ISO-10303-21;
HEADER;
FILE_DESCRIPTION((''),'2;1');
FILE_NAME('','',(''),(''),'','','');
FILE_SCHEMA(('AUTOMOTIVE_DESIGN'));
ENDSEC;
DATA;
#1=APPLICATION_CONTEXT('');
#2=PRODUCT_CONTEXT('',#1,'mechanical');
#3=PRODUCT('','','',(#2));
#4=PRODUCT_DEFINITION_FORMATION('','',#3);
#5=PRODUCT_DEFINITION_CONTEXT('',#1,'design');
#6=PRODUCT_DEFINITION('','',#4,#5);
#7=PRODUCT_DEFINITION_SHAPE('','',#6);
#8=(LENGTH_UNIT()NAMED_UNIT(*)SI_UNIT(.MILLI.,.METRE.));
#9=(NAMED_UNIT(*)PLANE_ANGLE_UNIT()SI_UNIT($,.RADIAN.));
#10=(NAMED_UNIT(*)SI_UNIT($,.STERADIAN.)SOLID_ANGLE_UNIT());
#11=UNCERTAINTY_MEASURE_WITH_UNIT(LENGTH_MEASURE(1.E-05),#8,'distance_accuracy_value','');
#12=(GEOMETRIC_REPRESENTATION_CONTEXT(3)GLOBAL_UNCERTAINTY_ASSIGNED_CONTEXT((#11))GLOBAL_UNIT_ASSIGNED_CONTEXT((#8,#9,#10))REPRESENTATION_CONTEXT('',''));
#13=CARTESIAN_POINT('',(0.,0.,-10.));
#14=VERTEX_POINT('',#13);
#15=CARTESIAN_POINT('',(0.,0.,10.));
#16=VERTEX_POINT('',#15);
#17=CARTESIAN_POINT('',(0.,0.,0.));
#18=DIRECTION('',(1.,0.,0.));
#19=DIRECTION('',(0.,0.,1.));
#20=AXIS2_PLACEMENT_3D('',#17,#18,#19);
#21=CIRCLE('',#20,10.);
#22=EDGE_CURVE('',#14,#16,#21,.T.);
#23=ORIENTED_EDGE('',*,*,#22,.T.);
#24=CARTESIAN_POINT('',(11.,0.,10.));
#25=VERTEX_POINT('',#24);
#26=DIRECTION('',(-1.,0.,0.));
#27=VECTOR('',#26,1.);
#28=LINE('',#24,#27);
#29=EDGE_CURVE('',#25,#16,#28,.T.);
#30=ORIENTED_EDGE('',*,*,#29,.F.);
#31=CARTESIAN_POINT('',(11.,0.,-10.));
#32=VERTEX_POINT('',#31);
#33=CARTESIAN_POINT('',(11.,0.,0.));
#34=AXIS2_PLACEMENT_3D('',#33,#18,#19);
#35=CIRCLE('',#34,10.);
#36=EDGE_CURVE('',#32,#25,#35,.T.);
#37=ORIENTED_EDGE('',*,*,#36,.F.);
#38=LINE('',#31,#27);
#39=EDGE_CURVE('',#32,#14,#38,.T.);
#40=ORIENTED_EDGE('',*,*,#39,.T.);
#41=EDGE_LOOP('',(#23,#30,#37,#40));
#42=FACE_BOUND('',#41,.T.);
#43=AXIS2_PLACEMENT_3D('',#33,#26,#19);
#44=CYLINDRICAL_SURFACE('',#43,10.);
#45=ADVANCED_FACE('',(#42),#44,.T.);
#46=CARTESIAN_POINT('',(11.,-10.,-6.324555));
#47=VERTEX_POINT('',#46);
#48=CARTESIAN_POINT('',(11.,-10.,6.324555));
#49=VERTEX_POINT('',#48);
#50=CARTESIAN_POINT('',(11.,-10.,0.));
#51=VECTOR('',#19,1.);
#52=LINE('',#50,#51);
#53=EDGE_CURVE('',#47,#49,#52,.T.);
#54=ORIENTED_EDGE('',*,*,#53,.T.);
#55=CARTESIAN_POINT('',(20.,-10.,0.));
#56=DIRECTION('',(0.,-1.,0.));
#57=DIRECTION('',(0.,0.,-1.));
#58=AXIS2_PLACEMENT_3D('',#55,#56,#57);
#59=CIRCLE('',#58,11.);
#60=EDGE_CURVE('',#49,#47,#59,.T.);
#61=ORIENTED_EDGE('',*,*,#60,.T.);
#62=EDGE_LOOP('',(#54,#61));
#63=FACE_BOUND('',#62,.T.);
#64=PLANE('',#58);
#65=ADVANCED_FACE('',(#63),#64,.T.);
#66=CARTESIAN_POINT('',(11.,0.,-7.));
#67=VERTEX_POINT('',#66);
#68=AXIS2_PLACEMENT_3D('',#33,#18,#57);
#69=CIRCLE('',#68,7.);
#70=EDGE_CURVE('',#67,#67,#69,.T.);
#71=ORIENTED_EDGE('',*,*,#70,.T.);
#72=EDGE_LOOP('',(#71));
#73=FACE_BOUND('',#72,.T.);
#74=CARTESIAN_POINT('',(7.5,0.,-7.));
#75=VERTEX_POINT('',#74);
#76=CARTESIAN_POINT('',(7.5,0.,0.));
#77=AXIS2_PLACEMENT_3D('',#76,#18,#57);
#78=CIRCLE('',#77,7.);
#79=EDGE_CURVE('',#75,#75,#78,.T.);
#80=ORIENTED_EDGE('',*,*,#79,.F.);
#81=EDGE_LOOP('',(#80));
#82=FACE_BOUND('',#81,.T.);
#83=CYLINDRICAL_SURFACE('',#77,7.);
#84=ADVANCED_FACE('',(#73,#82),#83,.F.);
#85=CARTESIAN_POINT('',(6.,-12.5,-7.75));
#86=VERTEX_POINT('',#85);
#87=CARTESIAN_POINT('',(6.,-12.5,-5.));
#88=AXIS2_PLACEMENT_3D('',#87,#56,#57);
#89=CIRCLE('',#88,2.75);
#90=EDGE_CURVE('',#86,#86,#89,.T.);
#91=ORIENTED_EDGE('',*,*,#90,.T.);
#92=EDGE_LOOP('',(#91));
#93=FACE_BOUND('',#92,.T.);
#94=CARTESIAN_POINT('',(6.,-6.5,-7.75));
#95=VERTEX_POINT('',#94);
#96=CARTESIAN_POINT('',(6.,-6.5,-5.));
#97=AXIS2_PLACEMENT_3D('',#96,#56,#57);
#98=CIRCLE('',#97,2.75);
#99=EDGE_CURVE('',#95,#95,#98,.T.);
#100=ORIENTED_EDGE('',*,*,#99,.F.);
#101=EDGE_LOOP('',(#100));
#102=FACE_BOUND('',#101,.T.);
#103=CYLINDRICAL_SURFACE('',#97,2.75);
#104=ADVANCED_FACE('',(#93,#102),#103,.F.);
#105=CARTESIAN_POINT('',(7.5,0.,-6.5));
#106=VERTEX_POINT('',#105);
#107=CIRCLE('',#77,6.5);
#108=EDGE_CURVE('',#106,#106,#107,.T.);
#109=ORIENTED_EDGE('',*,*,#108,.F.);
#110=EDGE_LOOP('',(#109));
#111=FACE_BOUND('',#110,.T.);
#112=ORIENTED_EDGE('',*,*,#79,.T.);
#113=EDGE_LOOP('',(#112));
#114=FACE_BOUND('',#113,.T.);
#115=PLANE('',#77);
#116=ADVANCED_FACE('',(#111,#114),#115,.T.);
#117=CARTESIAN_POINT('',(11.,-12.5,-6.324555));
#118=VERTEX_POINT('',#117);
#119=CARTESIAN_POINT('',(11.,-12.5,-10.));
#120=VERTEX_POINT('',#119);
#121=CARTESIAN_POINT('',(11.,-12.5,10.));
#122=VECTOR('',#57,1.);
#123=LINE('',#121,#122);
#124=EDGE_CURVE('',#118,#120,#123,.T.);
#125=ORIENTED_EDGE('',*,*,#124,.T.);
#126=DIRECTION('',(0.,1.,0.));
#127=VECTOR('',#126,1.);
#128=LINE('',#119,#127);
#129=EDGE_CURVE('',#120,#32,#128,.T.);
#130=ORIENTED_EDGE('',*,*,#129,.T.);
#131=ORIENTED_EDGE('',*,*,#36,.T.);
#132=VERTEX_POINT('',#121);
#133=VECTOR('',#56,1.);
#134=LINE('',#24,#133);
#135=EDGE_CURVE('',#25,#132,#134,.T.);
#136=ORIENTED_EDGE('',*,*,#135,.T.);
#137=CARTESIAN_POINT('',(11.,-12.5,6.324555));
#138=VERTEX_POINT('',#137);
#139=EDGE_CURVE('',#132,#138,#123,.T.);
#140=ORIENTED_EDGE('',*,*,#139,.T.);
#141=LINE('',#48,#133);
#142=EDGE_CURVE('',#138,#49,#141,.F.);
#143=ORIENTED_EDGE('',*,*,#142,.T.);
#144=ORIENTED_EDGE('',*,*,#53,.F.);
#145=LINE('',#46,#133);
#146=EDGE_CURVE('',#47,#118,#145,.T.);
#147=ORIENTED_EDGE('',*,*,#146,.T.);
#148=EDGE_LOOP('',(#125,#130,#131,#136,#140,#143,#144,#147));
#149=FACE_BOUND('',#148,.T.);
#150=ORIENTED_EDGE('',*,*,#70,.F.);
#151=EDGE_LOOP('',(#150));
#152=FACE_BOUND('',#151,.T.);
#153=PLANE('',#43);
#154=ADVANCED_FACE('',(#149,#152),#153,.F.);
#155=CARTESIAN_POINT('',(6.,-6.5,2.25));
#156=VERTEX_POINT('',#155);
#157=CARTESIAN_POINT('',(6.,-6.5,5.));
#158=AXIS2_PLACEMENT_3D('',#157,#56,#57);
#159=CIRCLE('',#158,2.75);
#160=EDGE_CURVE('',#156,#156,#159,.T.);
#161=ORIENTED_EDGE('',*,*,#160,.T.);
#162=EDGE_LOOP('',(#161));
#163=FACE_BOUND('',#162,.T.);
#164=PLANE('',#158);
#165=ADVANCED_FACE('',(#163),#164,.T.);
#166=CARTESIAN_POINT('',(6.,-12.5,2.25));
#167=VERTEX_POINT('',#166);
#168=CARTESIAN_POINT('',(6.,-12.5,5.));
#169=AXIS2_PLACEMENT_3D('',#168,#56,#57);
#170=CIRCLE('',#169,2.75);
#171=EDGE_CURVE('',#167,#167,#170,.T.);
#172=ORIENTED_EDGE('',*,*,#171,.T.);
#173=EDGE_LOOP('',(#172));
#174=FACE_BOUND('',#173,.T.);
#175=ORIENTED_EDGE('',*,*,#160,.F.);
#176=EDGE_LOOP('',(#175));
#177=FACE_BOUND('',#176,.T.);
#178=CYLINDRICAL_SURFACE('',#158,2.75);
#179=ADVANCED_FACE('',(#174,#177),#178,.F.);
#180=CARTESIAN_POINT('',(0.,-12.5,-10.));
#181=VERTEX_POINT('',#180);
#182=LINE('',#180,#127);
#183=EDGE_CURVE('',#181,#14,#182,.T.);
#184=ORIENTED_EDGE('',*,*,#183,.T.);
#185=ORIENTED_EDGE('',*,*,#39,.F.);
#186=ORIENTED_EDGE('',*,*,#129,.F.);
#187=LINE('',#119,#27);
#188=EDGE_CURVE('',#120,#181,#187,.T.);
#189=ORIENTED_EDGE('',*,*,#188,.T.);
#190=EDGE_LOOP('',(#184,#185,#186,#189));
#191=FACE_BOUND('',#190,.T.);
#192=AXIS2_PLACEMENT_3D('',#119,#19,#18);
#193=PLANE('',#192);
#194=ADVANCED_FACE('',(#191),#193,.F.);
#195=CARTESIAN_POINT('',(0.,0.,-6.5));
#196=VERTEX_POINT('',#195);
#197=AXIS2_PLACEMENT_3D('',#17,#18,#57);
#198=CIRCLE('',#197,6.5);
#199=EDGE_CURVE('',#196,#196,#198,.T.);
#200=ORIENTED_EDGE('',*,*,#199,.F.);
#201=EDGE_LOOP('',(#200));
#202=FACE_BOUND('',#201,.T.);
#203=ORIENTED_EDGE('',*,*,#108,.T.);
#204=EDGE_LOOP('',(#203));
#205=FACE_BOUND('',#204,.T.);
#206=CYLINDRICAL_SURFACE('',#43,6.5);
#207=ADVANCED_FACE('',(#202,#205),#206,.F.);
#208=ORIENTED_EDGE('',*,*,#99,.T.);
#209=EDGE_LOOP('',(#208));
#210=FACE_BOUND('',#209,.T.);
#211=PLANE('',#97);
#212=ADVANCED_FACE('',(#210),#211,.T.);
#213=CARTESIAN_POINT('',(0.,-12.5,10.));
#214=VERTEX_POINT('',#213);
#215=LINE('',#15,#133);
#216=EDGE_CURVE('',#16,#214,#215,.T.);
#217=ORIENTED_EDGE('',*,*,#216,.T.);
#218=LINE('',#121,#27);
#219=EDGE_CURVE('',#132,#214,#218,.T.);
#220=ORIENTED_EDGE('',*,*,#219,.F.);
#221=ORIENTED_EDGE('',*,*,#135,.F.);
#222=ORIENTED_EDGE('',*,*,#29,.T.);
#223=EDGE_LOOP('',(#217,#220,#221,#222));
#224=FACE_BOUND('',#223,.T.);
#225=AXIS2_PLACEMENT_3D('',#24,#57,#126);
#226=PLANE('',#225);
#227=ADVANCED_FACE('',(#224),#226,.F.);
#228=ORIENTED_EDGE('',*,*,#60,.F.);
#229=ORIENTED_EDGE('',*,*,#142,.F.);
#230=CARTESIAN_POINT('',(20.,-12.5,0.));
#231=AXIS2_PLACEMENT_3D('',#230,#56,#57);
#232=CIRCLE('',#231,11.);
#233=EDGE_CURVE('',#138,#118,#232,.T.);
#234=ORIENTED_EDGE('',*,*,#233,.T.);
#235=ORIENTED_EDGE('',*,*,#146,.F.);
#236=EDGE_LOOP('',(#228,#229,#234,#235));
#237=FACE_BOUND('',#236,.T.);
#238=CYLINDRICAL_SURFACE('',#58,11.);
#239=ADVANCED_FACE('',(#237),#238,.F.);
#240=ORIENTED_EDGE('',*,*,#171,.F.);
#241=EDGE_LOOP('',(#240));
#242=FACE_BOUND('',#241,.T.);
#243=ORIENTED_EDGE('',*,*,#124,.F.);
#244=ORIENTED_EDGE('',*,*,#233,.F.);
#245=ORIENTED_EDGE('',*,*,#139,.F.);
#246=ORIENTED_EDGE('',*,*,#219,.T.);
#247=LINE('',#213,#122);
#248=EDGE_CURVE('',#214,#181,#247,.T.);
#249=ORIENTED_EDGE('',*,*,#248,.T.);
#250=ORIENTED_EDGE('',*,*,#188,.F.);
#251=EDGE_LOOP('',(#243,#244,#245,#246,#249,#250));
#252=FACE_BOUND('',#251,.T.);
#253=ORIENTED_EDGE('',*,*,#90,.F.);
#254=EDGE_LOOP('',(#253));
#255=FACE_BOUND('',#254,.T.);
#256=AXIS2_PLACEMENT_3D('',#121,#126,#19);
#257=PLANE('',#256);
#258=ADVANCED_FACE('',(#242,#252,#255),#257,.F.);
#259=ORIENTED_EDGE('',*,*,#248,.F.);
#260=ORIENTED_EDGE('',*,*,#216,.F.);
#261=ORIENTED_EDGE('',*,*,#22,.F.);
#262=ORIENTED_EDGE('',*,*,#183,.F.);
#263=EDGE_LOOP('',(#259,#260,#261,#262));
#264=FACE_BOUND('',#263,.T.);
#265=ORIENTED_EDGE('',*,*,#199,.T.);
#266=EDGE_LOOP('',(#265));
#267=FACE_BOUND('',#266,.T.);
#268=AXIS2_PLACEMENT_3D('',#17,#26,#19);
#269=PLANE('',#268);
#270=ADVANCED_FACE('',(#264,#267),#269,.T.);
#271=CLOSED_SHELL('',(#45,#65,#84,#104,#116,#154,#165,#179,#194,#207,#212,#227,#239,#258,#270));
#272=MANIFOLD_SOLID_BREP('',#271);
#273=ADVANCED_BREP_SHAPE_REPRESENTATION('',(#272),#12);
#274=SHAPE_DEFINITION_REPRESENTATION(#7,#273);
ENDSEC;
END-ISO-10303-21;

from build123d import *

# Parameters (mm, degrees)
SKIZZE1_R                       = 6.5
AUFSATZ_LINEAR_AUSTRAGEN1_DEPTH = 11
SKIZZE2_R                       = 7
SCHNITT_LINEAR_AUSTRAGEN1_DEPTH = 3.5
SKIZZE3_R                       = 2.75
SCHNITT_LINEAR_AUSTRAGEN2_DEPTH = 6
SKIZZE4_R                       = 11
SCHNITT_LINEAR_AUSTRAGEN3_DEPTH = 2.5


with BuildPart() as part:
    # Skizze1 → Aufsatz-Linear austragen1 (new body)
    with BuildSketch(Plane(origin=(0, 0, 0), x_dir=(0, 0, -1), z_dir=(1, 0, 0))):
        with BuildLine():
            Line((-10, 0), (-10, -12.5))
            Line((-10, -12.5), (10, -12.5))
            Line((10, -12.5), (10, 0))
            ThreePointArc((10, 0), (0, 10), (-10, 0))
        make_face()
        Circle(SKIZZE1_R, mode=Mode.SUBTRACT)
    extrude(amount=AUFSATZ_LINEAR_AUSTRAGEN1_DEPTH)

    # Skizze2 → Schnitt-Linear austragen1 (cut)
    with BuildSketch(Plane(origin=(11, 0, 0), x_dir=(0, 0, -1), z_dir=(1, 0, 0))):
        Circle(SKIZZE2_R)
    extrude(amount=-SCHNITT_LINEAR_AUSTRAGEN1_DEPTH, mode=Mode.SUBTRACT)

    # Skizze3 → Schnitt-Linear austragen2 (cut)
    with BuildSketch(Plane.XZ.offset(12.5)):
        with Locations((6, 5)):
            Circle(SKIZZE3_R)
        with Locations((6, -5)):
            Circle(SKIZZE3_R)
    extrude(amount=-SCHNITT_LINEAR_AUSTRAGEN2_DEPTH, mode=Mode.SUBTRACT)

    # Skizze4 → Schnitt-Linear austragen3 (cut)
    with BuildSketch(Plane.XZ.offset(12.5)):
        with Locations((20, 0)):
            Circle(SKIZZE4_R)
    extrude(amount=-SCHNITT_LINEAR_AUSTRAGEN3_DEPTH, mode=Mode.SUBTRACT)


solid = part.part
